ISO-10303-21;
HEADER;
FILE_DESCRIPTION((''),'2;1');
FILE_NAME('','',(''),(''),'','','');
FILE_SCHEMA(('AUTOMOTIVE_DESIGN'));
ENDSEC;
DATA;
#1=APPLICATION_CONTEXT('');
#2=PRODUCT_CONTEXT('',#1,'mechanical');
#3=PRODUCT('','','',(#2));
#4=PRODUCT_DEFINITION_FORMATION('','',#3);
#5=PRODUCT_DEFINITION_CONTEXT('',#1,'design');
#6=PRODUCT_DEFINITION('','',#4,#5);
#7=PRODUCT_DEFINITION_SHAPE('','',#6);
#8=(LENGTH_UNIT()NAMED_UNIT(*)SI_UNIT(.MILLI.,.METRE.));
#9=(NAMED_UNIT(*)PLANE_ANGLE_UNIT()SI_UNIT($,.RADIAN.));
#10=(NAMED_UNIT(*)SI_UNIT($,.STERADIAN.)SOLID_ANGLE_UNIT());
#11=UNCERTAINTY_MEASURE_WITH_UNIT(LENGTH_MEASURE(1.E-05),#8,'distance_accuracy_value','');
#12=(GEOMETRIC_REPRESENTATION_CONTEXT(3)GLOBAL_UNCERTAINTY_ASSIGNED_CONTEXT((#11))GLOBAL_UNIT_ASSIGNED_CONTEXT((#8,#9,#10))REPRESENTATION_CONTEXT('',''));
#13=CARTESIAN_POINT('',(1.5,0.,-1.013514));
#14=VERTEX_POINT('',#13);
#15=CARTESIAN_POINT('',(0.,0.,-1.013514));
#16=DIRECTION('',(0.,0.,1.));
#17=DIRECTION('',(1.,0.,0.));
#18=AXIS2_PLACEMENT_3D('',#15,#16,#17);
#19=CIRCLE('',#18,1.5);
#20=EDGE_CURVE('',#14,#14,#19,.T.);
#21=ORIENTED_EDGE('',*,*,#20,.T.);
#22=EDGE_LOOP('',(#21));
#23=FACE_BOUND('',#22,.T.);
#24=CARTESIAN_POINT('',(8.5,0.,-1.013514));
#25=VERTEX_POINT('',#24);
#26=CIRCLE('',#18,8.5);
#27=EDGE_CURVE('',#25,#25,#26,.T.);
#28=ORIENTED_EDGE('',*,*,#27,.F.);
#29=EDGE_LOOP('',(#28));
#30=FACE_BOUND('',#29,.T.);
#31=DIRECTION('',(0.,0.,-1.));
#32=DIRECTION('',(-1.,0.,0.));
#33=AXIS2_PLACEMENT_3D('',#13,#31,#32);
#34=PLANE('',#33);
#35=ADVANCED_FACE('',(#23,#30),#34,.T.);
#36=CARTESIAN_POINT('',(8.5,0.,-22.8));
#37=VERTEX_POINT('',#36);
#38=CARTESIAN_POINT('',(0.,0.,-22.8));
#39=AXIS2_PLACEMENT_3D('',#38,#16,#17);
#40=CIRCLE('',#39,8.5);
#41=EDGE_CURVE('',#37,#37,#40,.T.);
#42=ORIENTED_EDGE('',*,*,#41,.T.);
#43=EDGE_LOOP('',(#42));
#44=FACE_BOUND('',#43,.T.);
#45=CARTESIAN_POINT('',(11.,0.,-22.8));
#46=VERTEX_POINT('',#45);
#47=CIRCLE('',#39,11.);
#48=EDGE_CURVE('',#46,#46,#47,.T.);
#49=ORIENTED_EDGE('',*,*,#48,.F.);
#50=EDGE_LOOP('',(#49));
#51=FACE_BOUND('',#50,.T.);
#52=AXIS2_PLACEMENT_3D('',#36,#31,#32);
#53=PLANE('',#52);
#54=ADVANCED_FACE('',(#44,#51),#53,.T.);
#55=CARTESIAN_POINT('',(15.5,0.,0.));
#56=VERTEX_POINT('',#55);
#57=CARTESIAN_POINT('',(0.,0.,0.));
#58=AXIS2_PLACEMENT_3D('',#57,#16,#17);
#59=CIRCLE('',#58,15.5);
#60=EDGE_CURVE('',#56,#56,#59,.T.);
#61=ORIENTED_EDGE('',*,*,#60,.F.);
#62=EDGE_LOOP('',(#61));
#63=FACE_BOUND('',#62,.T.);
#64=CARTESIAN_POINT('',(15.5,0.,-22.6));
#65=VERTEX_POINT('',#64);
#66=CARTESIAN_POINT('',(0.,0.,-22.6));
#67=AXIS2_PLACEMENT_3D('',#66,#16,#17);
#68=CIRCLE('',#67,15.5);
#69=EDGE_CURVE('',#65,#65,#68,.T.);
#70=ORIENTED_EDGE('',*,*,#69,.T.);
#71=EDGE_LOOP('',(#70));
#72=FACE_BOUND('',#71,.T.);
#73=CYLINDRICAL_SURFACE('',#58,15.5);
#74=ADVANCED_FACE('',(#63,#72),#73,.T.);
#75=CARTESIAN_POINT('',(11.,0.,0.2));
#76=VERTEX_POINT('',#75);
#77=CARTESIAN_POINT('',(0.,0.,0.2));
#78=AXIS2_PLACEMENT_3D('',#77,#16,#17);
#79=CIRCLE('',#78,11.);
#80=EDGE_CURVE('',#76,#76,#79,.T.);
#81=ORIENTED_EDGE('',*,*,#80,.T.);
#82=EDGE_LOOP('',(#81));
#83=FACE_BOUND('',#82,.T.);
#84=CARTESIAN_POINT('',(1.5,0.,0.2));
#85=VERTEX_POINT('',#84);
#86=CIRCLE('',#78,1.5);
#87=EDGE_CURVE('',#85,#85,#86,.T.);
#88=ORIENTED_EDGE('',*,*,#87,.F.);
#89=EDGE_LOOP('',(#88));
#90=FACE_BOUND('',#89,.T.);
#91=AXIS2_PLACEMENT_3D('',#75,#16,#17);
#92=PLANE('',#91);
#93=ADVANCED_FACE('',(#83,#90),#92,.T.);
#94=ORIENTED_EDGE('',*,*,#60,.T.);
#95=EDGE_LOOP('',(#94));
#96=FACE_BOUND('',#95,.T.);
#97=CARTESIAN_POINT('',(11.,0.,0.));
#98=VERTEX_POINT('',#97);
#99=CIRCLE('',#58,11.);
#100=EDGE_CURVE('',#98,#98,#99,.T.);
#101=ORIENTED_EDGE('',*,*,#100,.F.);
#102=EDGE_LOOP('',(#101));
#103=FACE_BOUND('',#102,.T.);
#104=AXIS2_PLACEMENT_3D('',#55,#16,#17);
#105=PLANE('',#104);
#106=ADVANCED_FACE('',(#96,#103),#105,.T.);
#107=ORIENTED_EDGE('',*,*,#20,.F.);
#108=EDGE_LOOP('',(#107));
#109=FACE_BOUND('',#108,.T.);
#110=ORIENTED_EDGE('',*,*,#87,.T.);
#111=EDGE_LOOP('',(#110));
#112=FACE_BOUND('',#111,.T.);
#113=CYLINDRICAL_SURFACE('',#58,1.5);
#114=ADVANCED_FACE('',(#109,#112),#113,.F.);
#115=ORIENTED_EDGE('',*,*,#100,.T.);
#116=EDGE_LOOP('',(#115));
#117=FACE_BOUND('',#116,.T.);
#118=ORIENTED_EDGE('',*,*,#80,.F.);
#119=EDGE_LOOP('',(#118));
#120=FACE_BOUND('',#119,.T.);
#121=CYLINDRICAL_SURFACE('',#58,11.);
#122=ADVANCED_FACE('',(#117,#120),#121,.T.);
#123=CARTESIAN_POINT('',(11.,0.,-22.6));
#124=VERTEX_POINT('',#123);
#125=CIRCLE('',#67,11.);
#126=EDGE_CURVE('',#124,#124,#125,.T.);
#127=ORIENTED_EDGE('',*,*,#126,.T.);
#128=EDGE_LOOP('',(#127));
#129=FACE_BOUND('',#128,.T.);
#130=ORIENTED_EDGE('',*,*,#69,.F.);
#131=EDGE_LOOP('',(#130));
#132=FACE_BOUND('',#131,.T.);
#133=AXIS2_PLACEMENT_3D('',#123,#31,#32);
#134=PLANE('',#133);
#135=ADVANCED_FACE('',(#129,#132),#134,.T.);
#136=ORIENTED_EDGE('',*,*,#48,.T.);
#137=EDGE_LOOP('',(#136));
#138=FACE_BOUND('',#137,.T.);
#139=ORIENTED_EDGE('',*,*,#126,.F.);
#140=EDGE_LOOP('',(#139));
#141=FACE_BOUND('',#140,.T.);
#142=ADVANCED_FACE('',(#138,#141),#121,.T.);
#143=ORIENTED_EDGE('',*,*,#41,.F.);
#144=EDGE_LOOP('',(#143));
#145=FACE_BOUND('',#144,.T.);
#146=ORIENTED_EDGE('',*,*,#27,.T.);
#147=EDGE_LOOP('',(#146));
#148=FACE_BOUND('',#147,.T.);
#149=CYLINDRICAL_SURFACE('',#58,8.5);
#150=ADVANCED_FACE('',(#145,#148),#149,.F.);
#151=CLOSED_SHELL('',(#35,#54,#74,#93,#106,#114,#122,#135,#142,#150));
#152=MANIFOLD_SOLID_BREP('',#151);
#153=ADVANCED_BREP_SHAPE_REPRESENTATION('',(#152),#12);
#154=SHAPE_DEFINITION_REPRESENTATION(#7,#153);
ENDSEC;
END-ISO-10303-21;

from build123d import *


with BuildPart() as part:
    # Croquis1 → Revolución1 (revolve)
    with BuildSketch(Plane(origin=(0, 0, 0), x_dir=(1, 0, 0), z_dir=(0, 1, 0))):
        Polygon((1.5, 1.013513514), (8.5, 1.013513514), (8.5, 22.8), (11, 22.8), (11, 22.6), (15.5, 22.6), (15.5, 0), (11, 0), (11, -0.2), (1.5, -0.2), align=None)
    revolve(axis=Axis((0, 0, 0), (0, 0, -1)))


solid = part.part
